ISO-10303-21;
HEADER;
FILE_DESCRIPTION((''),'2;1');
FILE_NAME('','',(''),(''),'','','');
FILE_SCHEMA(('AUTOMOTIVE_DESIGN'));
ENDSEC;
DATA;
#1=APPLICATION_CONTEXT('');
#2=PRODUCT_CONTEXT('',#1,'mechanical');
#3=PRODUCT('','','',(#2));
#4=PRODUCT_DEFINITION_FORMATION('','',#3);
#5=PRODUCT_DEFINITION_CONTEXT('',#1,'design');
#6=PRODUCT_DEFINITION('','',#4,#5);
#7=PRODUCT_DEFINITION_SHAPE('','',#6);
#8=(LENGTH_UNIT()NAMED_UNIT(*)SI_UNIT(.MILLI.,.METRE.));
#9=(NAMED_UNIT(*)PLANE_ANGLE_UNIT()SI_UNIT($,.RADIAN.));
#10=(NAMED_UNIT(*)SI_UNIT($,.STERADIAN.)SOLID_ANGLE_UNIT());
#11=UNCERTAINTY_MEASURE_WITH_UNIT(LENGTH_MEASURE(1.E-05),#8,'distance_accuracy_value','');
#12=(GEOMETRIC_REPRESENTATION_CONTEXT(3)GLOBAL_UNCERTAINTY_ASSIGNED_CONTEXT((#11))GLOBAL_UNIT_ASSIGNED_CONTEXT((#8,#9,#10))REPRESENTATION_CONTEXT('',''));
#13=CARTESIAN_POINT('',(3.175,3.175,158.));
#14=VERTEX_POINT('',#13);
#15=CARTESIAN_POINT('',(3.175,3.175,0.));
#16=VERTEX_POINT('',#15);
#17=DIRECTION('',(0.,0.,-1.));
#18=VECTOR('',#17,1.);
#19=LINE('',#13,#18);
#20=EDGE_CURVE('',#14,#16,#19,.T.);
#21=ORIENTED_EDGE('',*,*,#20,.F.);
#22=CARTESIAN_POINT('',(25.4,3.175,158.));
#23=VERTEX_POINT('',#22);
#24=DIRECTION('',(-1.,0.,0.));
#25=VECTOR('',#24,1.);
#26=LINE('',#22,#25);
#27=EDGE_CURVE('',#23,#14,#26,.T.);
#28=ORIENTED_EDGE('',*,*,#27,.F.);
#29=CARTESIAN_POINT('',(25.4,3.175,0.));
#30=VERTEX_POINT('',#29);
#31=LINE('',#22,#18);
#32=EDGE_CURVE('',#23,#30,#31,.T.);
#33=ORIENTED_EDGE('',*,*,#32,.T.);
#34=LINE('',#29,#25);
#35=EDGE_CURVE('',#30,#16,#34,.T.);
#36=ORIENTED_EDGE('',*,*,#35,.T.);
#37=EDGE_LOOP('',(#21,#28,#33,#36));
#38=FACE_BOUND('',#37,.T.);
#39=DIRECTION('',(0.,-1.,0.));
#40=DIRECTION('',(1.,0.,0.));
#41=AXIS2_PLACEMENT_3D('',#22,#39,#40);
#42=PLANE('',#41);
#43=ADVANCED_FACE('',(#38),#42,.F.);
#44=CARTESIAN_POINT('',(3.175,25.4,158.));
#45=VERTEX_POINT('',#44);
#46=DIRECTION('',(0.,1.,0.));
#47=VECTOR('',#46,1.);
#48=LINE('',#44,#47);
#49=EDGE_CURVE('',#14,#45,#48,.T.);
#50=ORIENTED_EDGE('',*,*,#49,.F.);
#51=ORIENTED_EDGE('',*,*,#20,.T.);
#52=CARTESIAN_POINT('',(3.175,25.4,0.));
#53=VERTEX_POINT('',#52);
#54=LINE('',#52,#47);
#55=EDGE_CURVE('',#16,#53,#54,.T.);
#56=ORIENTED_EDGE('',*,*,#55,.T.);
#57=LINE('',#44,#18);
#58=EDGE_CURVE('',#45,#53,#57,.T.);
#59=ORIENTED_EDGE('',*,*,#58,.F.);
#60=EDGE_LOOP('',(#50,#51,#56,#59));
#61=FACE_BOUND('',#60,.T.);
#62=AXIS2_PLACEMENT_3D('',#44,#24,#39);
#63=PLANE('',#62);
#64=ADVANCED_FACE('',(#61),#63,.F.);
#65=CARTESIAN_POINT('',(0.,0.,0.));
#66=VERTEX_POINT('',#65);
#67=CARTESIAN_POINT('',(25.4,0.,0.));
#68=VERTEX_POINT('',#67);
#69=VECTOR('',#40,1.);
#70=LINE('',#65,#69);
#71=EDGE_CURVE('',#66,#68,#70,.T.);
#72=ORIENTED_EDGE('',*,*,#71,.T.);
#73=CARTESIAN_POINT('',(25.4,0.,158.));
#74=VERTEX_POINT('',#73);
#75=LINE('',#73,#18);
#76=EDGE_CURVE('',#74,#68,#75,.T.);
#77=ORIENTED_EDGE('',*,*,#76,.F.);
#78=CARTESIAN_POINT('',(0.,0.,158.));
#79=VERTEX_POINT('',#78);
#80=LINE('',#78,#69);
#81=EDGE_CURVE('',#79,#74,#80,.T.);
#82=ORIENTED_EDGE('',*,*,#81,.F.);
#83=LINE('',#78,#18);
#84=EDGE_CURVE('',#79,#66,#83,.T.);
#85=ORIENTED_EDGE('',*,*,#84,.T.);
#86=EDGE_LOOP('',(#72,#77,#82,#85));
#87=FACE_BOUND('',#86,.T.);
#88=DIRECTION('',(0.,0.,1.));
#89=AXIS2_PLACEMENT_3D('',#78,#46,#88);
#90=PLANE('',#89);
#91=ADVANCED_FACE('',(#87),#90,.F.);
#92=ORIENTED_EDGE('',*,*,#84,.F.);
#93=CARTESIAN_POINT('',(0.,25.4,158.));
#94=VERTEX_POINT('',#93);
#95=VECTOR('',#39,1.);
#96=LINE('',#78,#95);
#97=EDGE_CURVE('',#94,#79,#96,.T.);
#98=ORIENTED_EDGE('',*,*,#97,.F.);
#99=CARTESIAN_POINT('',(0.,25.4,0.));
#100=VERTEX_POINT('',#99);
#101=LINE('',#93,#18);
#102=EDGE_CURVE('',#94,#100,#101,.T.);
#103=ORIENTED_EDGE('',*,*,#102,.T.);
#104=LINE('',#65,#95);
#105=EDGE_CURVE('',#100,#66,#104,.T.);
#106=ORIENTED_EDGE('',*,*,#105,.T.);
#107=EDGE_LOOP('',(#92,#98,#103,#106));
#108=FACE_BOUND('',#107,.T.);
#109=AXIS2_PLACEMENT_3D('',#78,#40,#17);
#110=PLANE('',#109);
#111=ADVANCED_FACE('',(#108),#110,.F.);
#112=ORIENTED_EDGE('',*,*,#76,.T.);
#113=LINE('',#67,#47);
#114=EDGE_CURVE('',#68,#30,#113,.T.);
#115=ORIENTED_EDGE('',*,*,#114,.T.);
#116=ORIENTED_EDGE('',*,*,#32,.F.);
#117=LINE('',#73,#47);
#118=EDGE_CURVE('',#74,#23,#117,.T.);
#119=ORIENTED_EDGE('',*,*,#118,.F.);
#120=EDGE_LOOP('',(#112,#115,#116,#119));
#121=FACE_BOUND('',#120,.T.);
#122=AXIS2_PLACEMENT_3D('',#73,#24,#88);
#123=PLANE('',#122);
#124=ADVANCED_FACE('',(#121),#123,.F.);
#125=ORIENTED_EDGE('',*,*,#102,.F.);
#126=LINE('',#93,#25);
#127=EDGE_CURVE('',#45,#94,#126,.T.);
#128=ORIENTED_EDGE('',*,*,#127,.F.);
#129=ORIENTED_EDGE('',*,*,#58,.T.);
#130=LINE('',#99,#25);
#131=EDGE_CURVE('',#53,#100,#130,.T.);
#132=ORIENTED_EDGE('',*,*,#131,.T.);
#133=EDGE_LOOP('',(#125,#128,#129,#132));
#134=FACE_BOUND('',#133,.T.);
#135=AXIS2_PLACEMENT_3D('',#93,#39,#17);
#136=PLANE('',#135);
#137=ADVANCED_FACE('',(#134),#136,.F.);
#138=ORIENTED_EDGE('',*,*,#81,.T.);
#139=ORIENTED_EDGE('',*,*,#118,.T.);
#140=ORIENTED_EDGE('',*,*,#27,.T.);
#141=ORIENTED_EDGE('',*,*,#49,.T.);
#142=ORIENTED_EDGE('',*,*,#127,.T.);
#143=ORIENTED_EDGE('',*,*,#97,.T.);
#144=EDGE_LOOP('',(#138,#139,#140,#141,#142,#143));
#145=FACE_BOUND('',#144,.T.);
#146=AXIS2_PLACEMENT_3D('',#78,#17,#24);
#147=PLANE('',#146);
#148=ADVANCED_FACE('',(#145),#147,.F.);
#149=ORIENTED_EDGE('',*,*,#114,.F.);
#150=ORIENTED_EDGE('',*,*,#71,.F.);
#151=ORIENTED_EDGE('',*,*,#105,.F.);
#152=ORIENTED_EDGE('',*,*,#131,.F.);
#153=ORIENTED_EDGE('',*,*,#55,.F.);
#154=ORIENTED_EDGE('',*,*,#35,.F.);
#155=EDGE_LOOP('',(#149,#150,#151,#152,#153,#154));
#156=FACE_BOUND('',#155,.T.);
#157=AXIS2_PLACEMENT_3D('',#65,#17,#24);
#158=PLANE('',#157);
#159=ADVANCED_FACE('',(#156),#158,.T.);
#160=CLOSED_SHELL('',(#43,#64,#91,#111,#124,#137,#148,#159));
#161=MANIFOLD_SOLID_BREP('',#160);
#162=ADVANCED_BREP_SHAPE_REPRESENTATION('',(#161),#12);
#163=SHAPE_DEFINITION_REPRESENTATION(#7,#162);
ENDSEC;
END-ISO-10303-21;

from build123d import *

# Parameters (mm, degrees)
BOSS_EXTRUDE1_DEPTH = 158


with BuildPart() as part:
    # Sketch1 → Boss-Extrude1 (new body)
    with BuildSketch(Plane.XY):
        Polygon((0, 0), (25.4, 0), (25.4, 3.175), (3.175, 3.175), (3.175, 25.4), (0, 25.4), align=None)
    extrude(amount=BOSS_EXTRUDE1_DEPTH)


solid = part.part
